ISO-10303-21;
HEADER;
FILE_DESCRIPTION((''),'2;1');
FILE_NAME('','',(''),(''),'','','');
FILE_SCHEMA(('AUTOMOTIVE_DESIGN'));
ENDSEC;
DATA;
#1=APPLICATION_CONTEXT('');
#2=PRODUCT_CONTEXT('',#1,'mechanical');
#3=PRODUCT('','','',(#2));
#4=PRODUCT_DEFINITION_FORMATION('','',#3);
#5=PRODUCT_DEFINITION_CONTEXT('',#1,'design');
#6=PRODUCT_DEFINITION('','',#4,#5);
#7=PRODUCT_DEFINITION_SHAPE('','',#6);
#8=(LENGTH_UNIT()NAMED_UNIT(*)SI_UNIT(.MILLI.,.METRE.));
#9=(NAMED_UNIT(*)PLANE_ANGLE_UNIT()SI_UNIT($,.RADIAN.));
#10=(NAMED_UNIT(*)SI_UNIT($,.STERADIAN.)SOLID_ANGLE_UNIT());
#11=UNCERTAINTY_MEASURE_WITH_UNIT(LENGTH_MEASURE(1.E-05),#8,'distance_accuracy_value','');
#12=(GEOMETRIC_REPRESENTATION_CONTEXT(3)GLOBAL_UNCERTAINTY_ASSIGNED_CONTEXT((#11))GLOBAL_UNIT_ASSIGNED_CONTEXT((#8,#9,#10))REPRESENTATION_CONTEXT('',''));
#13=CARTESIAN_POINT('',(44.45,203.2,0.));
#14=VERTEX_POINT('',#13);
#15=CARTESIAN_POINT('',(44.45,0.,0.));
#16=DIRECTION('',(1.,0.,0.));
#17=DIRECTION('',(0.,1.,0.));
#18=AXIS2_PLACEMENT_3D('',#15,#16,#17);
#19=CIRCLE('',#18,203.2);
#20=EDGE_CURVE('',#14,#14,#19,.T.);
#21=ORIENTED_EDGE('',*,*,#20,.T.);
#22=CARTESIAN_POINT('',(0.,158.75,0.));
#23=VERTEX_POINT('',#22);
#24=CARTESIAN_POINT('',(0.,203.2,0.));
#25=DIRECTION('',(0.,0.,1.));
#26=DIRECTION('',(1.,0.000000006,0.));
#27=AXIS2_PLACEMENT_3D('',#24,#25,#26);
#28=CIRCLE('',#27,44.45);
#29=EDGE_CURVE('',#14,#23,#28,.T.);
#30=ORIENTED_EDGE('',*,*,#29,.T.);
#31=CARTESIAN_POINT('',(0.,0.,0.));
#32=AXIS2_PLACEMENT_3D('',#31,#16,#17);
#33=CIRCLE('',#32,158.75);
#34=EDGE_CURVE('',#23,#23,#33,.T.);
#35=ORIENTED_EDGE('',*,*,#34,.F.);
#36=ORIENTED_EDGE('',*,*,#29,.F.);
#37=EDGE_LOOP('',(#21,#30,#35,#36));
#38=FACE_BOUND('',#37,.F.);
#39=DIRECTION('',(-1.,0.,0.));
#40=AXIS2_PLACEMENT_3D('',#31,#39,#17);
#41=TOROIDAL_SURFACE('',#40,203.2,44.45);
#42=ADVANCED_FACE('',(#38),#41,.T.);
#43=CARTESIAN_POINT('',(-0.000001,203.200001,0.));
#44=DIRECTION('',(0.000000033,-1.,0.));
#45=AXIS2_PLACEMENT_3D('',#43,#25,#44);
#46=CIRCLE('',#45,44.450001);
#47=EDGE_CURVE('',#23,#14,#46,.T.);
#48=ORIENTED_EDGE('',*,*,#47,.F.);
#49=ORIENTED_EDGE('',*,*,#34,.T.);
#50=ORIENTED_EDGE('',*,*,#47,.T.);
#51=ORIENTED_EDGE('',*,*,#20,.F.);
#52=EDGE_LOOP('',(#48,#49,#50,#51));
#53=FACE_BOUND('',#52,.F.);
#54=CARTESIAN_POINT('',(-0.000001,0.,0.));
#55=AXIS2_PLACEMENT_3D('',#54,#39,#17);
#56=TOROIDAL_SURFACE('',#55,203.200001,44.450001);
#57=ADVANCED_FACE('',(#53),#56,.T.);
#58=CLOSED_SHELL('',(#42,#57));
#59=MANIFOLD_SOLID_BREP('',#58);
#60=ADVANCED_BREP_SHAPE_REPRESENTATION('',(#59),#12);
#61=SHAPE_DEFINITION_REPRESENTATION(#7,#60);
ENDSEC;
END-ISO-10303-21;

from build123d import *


with BuildPart() as f2:
    # F0 (on Top) → F2 (revolve)
    with BuildSketch(Plane.XY):
        with BuildLine():
            ThreePointArc((0, 158.75), (31.430896, 171.769104), (44.45, 203.2))
            ThreePointArc((44.45, 203.2), (-31.430896, 234.630896), (0, 158.75))
        make_face()
    revolve(axis=Axis((38.1, 0, 0), (1, 0, 0)))


solid = f2.part
